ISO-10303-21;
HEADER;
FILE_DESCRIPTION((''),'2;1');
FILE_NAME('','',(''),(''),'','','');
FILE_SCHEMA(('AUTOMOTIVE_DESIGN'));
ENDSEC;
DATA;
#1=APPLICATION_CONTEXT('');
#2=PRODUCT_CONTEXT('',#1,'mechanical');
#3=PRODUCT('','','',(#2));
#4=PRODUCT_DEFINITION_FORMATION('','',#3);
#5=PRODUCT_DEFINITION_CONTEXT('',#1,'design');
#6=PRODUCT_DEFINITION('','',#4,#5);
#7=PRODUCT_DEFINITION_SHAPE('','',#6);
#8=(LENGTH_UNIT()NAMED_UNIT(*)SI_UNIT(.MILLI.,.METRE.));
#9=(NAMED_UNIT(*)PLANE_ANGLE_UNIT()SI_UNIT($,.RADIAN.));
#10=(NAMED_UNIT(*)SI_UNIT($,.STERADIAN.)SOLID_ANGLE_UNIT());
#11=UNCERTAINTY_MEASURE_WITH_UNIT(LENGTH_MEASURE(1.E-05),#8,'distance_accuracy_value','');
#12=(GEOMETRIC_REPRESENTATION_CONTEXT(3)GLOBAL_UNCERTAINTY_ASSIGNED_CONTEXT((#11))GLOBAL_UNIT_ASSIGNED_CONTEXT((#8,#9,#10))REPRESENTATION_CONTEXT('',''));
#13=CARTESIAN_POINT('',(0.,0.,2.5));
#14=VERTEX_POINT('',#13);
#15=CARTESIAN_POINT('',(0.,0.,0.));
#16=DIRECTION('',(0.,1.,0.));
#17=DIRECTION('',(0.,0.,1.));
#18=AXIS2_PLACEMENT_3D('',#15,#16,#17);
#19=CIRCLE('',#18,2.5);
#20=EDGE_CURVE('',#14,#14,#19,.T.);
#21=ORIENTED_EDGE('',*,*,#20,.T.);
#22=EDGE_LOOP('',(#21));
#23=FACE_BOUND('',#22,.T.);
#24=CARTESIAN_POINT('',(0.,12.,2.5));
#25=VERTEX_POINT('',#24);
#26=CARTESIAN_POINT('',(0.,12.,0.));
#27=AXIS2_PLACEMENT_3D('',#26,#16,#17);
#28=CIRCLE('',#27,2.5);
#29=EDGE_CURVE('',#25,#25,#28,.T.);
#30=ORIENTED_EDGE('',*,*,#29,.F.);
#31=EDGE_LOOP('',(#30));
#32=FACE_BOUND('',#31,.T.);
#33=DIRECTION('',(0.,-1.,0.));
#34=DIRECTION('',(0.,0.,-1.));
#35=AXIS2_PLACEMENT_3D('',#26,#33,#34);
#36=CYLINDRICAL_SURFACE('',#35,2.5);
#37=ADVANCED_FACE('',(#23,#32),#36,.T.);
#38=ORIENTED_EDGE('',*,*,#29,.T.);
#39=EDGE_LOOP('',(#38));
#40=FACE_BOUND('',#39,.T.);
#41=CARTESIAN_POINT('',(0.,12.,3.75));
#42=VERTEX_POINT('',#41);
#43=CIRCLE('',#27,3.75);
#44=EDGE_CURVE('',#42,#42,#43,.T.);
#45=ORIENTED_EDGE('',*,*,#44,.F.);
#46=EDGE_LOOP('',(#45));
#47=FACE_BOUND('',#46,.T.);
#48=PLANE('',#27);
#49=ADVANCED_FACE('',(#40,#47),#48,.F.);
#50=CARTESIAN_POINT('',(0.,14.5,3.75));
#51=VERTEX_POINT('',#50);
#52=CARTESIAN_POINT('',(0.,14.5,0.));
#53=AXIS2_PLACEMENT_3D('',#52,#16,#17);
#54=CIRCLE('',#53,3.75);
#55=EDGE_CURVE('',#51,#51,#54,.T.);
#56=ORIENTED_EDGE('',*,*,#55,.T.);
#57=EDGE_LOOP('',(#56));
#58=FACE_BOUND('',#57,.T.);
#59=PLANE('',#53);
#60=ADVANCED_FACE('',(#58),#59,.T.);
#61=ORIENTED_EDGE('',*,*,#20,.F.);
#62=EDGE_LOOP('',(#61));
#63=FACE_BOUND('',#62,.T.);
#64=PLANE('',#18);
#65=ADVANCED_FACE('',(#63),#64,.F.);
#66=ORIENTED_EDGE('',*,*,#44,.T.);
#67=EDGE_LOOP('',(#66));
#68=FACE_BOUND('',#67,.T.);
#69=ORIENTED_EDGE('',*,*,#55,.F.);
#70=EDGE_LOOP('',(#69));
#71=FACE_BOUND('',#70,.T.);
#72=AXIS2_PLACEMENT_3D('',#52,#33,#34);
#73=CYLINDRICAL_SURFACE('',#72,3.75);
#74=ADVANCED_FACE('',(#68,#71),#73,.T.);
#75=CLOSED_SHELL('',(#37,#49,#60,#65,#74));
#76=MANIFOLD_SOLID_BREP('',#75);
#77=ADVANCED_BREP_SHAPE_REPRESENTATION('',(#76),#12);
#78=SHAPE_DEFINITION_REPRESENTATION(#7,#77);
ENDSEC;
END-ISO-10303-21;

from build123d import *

# Parameters (mm, degrees)
SKETCH1_R           = 2.5
BOSS_EXTRUDE1_DEPTH = 12
SKETCH2_R           = 3.75
BOSS_EXTRUDE2_DEPTH = 2.5


with BuildPart() as part:
    # Sketch1 → Boss-Extrude1 (new body)
    with BuildSketch(Plane(origin=(0, 0, 0), x_dir=(1, 0, 0), z_dir=(0, 1, 0))):
        Circle(SKETCH1_R)
    extrude(amount=BOSS_EXTRUDE1_DEPTH)

    # Sketch2 → Boss-Extrude2 (add)
    with BuildSketch(Plane(origin=(0, 12, 0), x_dir=(1, 0, 0), z_dir=(0, 1, 0))):
        Circle(SKETCH2_R)
    extrude(amount=BOSS_EXTRUDE2_DEPTH)


solid = part.part
